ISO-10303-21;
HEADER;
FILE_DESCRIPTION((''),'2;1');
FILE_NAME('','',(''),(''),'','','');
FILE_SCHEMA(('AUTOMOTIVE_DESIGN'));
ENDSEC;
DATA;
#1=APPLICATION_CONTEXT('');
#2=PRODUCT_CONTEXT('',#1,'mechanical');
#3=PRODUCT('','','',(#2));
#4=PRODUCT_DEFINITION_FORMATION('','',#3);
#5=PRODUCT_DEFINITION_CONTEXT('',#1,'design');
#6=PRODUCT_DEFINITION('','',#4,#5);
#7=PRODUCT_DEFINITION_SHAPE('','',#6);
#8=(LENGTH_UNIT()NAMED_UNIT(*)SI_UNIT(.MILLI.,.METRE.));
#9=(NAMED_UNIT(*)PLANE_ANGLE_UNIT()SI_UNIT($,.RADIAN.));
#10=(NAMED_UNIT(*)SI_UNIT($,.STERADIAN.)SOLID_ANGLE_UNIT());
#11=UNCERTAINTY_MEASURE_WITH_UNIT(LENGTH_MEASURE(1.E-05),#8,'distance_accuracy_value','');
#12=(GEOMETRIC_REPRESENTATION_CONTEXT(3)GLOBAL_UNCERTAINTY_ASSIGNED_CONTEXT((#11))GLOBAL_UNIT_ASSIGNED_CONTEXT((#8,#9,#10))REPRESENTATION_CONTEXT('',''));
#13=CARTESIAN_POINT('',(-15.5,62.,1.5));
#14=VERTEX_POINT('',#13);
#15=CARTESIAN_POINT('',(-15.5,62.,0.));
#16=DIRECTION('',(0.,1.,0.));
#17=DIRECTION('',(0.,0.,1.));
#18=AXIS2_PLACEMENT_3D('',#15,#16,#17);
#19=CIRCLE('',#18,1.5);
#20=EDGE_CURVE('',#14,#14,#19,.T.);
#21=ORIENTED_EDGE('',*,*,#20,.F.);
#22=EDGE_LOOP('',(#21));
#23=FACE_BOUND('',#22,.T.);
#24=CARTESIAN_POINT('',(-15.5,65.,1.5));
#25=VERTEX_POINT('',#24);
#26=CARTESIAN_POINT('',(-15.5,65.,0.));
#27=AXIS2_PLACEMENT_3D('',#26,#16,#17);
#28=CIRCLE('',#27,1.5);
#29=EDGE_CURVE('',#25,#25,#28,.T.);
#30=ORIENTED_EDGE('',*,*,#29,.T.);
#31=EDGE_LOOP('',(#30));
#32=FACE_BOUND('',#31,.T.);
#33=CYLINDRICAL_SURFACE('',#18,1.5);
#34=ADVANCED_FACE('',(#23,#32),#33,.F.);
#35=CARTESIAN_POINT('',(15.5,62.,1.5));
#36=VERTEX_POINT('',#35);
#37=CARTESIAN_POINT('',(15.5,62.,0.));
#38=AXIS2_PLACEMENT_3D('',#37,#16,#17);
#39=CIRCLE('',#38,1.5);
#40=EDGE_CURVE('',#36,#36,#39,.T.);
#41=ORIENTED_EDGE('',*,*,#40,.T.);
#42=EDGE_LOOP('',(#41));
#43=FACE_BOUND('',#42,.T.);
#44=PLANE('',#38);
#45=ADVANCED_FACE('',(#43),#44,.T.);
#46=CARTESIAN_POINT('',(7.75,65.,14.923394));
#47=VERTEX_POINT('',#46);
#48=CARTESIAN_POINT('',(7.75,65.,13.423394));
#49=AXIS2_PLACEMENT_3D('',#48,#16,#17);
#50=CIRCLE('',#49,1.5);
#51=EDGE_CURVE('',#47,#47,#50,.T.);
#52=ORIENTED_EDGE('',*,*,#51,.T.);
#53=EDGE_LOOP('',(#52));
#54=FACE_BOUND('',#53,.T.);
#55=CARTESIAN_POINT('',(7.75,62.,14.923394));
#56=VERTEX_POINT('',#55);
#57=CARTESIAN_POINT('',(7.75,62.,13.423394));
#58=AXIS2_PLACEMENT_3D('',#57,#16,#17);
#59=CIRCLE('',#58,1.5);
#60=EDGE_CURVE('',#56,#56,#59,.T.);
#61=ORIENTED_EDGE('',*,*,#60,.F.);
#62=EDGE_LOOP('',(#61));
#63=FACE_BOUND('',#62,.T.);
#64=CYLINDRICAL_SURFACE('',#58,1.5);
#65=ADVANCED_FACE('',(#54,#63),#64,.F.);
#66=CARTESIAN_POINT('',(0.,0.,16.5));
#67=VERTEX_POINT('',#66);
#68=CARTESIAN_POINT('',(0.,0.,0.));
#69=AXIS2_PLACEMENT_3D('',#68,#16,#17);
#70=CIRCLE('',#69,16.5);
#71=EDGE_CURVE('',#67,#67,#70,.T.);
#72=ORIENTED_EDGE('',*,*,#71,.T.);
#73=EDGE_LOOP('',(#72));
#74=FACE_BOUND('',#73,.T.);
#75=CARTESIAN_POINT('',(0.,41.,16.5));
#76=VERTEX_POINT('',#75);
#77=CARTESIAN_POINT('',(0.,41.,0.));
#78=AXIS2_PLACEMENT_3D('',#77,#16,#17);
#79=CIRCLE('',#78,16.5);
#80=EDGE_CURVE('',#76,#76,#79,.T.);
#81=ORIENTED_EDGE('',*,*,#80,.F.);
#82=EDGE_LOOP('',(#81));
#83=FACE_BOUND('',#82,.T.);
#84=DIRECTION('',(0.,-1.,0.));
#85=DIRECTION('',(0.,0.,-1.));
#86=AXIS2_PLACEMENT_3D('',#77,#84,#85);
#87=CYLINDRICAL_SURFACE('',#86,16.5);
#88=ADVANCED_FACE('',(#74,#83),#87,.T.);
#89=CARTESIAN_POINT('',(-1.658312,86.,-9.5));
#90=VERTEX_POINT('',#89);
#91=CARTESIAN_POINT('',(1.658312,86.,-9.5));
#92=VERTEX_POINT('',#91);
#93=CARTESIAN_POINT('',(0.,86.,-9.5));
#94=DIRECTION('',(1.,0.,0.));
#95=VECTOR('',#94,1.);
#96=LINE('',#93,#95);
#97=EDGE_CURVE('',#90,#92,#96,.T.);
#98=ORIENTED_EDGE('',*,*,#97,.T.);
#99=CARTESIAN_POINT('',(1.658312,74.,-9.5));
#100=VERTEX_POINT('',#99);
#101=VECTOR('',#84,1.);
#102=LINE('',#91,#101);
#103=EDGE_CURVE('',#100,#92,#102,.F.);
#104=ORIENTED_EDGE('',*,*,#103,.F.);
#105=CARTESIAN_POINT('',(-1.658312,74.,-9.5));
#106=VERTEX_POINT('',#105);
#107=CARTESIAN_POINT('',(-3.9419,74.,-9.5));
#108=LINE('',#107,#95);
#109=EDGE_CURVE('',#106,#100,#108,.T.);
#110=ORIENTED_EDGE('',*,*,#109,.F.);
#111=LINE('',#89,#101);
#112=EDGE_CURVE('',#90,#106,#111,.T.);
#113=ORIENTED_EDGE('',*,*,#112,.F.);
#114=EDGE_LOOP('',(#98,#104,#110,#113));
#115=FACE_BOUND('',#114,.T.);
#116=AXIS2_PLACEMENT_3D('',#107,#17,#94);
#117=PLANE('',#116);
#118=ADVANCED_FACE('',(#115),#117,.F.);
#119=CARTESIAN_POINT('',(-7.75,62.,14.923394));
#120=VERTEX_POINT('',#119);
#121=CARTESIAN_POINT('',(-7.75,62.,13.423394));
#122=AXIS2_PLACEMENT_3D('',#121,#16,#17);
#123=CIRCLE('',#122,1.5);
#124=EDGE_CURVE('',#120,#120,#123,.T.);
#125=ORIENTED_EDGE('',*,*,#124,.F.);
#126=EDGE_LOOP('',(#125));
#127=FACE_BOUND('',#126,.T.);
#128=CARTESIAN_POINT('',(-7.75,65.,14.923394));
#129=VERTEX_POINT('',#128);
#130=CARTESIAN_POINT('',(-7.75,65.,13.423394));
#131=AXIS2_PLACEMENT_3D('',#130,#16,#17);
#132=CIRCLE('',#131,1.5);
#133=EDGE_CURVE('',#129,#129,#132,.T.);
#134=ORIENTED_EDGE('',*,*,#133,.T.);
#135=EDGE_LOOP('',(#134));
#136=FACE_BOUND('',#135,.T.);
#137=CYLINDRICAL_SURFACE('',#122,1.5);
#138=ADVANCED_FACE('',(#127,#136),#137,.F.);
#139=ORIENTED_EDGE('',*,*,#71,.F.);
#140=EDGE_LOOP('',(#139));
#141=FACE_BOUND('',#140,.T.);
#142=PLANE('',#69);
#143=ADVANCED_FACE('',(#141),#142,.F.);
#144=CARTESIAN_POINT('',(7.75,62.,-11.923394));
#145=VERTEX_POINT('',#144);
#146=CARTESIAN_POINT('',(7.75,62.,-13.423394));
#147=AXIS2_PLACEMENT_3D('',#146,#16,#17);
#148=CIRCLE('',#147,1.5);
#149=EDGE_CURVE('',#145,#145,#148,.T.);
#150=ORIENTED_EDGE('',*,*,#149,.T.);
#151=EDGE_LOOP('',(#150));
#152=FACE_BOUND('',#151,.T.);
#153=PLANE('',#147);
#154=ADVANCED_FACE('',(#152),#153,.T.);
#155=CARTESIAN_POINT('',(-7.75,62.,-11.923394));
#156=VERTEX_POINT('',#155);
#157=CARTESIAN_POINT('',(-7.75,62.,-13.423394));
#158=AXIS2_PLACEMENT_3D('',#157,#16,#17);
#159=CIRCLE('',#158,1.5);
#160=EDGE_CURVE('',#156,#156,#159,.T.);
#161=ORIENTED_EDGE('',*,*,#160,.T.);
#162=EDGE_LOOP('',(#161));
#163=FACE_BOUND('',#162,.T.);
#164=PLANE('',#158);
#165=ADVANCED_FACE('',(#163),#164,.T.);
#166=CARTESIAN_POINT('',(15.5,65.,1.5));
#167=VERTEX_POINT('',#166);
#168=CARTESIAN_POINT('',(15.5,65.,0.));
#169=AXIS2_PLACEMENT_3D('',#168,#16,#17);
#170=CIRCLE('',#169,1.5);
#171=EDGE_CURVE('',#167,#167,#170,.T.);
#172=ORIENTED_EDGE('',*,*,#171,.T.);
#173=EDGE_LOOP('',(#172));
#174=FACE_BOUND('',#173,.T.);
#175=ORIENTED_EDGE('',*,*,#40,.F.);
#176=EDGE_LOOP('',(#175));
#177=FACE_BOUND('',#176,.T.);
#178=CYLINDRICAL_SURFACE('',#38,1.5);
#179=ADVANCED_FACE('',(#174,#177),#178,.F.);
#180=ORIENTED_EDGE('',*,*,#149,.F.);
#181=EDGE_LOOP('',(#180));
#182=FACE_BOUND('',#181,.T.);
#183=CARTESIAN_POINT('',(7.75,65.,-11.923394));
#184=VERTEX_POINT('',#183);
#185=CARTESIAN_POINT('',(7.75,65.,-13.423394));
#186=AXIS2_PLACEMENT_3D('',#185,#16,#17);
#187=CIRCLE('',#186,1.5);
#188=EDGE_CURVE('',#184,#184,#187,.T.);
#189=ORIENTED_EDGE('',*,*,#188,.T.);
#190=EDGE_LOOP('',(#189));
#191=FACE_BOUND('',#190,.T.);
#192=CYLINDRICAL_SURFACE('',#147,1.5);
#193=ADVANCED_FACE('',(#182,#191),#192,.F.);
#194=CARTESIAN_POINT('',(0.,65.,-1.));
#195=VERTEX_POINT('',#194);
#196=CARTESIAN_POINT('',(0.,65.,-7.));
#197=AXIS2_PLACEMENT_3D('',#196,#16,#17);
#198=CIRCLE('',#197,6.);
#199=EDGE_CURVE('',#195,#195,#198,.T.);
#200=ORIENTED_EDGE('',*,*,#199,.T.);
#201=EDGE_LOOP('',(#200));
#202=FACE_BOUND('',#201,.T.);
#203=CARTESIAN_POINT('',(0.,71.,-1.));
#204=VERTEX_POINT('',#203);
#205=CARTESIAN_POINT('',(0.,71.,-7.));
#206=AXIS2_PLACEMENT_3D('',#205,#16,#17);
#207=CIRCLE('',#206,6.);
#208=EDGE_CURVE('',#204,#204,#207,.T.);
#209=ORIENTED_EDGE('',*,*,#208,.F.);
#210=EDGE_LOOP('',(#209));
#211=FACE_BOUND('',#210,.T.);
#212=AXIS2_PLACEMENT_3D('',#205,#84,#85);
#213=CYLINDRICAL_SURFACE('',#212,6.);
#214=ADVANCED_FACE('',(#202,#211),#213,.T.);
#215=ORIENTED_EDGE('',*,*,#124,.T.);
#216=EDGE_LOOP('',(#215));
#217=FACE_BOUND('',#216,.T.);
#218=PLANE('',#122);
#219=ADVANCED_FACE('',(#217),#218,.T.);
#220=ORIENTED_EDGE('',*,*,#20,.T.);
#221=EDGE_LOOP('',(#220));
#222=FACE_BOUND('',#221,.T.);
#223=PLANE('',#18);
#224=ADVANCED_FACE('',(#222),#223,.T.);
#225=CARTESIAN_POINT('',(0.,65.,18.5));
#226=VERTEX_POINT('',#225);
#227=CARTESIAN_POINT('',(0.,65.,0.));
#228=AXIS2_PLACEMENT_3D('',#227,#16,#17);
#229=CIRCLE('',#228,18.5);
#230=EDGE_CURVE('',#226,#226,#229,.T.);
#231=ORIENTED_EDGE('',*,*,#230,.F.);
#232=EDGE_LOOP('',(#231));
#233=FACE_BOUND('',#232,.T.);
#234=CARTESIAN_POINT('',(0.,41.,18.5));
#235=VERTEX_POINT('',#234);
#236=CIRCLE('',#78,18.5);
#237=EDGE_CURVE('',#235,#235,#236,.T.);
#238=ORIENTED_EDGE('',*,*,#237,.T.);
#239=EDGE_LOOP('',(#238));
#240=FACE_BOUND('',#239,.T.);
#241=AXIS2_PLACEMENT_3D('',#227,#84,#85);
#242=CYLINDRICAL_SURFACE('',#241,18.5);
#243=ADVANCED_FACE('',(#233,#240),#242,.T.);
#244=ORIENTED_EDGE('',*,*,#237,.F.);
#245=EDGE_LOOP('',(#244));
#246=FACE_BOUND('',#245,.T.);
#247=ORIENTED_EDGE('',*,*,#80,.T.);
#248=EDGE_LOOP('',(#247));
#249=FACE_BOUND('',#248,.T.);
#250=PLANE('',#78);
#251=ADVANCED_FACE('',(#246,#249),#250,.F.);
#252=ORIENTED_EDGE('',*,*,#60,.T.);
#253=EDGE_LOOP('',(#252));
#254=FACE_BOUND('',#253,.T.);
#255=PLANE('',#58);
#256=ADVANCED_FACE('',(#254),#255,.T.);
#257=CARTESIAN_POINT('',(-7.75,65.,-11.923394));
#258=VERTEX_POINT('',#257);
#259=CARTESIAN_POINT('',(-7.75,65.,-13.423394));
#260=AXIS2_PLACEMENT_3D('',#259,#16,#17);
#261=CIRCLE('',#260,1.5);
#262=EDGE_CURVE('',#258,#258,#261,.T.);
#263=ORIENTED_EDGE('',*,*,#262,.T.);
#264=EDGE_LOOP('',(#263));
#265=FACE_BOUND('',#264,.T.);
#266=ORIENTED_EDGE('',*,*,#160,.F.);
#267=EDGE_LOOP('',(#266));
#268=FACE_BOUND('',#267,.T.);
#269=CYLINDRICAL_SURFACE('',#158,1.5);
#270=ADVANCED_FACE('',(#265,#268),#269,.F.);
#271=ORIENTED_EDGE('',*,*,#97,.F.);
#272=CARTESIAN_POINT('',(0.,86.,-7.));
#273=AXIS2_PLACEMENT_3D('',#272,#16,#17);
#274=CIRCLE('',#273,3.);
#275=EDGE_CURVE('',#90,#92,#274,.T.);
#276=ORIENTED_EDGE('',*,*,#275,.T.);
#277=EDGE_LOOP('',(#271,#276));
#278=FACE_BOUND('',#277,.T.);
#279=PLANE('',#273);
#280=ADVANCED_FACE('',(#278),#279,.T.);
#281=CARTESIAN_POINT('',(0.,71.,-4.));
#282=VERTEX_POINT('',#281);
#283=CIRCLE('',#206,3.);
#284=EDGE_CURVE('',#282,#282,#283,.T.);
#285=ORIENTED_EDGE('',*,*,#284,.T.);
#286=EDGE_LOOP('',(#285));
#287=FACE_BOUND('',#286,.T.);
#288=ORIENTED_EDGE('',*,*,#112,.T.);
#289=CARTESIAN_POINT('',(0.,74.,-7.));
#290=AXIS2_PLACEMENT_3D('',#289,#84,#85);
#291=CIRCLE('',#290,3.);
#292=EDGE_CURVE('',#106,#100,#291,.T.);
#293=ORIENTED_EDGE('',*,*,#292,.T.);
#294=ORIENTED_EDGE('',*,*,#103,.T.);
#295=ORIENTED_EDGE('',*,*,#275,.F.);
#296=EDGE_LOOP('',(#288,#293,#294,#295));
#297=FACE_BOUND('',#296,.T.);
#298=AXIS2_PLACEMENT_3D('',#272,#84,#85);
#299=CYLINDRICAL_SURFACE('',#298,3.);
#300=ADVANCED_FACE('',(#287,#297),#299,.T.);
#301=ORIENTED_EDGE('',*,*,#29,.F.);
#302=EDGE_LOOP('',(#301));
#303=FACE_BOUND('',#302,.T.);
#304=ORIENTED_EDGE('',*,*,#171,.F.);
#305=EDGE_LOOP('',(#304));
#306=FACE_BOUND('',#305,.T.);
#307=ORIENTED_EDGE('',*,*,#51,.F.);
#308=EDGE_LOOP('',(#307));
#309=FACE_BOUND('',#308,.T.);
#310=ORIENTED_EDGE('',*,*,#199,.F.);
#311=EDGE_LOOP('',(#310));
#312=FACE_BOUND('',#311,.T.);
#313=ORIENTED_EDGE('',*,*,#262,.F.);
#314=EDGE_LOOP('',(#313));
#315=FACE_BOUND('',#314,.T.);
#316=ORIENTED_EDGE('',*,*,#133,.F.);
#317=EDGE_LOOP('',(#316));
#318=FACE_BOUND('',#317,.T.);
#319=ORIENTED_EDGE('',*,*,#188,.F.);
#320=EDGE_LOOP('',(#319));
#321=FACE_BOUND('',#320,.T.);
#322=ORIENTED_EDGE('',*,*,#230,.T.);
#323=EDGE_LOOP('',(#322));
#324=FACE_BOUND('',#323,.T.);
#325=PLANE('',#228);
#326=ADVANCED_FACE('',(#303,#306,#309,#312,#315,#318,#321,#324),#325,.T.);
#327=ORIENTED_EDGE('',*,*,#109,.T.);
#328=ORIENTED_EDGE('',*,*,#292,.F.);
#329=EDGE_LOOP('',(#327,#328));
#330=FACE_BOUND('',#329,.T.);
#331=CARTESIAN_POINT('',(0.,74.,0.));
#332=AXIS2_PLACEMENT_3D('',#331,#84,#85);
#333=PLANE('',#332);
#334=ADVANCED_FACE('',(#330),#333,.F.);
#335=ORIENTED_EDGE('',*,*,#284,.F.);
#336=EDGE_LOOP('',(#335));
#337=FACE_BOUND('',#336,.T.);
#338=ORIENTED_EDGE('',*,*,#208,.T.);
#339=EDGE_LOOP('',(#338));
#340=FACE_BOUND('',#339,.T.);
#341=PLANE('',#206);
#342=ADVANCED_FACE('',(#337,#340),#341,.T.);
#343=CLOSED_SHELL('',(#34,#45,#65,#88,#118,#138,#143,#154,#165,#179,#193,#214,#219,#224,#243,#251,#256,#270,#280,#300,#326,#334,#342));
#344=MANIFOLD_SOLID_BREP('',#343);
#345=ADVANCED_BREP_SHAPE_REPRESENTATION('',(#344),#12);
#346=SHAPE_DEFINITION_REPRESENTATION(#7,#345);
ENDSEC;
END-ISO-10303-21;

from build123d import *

# Parameters (mm, degrees)
SKETCH1_R           = 16.5
BOSS_EXTRUDE1_DEPTH = 41
SKETCH2_R           = 18.5
BOSS_EXTRUDE2_DEPTH = 24
SKETCH3_R           = 6
BOSS_EXTRUDE3_DEPTH = 6
SKETCH4_R           = 3
BOSS_EXTRUDE4_DEPTH = 15
SKETCH5_W           = 8.086329314
SKETCH5_H           = 5.281822038
CUT_EXTRUDE1_DEPTH  = 12
SKETCH6_R           = 1.5
CUT_EXTRUDE2_DEPTH  = 3


with BuildPart() as part:
    # Sketch1 → Boss-Extrude1 (new body)
    with BuildSketch(Plane(origin=(0, 0, 0), x_dir=(1, 0, 0), z_dir=(0, 1, 0))):
        with Locations(Location((0, 0, 0), (0, 0, 270))):
            Circle(SKETCH1_R)
    extrude(amount=BOSS_EXTRUDE1_DEPTH)

    # Sketch2 → Boss-Extrude2 (add)
    with BuildSketch(Plane(origin=(0, 41, 0), x_dir=(1, 0, 0), z_dir=(0, 1, 0))):
        with Locations(Location((0, 0, 0), (0, 0, 270))):
            Circle(SKETCH2_R)
    extrude(amount=BOSS_EXTRUDE2_DEPTH)

    # Sketch3 → Boss-Extrude3 (add)
    with BuildSketch(Plane(origin=(0, 65, 0), x_dir=(1, 0, 0), z_dir=(0, 1, 0))):
        with Locations(Location((0, 7, 0), (0, 0, 270))):
            Circle(SKETCH3_R)
    extrude(amount=BOSS_EXTRUDE3_DEPTH)

    # Sketch4 → Boss-Extrude4 (add)
    with BuildSketch(Plane(origin=(0, 71, 0), x_dir=(1, 0, 0), z_dir=(0, 1, 0))):
        with Locations(Location((0, 7, 0), (0, 0, 270))):
            Circle(SKETCH4_R)
    extrude(amount=BOSS_EXTRUDE4_DEPTH)

    # Sketch5 → Cut-Extrude1 (cut)
    with BuildSketch(Plane(origin=(0, 86, 0), x_dir=(1, 0, 0), z_dir=(0, 1, 0))):
        with Locations((0.101264993, 12.140911019)):
            Rectangle(SKETCH5_W, SKETCH5_H)
    extrude(amount=-CUT_EXTRUDE1_DEPTH, mode=Mode.SUBTRACT)

    # Sketch6 → Cut-Extrude2 (cut)
    with BuildSketch(Plane(origin=(0, 65, 0), x_dir=(1, 0, 0), z_dir=(0, 1, 0))):
        with Locations(Location((-15.5, 0, 0), (0, 0, 270))):
            Circle(SKETCH6_R)
        with Locations(Location((-7.75, 13.423393759, 0), (0, 0, 270))):
            Circle(SKETCH6_R)
        with Locations(Location((7.75, 13.423393759, 0), (0, 0, 270))):
            Circle(SKETCH6_R)
        with Locations(Location((15.5, 0, 0), (0, 0, 270))):
            Circle(SKETCH6_R)
        with Locations(Location((7.75, -13.423393759, 0), (0, 0, 270))):
            Circle(SKETCH6_R)
        with Locations(Location((-7.75, -13.423393759, 0), (0, 0, 270))):
            Circle(SKETCH6_R)
    extrude(amount=-CUT_EXTRUDE2_DEPTH, mode=Mode.SUBTRACT)


solid = part.part
